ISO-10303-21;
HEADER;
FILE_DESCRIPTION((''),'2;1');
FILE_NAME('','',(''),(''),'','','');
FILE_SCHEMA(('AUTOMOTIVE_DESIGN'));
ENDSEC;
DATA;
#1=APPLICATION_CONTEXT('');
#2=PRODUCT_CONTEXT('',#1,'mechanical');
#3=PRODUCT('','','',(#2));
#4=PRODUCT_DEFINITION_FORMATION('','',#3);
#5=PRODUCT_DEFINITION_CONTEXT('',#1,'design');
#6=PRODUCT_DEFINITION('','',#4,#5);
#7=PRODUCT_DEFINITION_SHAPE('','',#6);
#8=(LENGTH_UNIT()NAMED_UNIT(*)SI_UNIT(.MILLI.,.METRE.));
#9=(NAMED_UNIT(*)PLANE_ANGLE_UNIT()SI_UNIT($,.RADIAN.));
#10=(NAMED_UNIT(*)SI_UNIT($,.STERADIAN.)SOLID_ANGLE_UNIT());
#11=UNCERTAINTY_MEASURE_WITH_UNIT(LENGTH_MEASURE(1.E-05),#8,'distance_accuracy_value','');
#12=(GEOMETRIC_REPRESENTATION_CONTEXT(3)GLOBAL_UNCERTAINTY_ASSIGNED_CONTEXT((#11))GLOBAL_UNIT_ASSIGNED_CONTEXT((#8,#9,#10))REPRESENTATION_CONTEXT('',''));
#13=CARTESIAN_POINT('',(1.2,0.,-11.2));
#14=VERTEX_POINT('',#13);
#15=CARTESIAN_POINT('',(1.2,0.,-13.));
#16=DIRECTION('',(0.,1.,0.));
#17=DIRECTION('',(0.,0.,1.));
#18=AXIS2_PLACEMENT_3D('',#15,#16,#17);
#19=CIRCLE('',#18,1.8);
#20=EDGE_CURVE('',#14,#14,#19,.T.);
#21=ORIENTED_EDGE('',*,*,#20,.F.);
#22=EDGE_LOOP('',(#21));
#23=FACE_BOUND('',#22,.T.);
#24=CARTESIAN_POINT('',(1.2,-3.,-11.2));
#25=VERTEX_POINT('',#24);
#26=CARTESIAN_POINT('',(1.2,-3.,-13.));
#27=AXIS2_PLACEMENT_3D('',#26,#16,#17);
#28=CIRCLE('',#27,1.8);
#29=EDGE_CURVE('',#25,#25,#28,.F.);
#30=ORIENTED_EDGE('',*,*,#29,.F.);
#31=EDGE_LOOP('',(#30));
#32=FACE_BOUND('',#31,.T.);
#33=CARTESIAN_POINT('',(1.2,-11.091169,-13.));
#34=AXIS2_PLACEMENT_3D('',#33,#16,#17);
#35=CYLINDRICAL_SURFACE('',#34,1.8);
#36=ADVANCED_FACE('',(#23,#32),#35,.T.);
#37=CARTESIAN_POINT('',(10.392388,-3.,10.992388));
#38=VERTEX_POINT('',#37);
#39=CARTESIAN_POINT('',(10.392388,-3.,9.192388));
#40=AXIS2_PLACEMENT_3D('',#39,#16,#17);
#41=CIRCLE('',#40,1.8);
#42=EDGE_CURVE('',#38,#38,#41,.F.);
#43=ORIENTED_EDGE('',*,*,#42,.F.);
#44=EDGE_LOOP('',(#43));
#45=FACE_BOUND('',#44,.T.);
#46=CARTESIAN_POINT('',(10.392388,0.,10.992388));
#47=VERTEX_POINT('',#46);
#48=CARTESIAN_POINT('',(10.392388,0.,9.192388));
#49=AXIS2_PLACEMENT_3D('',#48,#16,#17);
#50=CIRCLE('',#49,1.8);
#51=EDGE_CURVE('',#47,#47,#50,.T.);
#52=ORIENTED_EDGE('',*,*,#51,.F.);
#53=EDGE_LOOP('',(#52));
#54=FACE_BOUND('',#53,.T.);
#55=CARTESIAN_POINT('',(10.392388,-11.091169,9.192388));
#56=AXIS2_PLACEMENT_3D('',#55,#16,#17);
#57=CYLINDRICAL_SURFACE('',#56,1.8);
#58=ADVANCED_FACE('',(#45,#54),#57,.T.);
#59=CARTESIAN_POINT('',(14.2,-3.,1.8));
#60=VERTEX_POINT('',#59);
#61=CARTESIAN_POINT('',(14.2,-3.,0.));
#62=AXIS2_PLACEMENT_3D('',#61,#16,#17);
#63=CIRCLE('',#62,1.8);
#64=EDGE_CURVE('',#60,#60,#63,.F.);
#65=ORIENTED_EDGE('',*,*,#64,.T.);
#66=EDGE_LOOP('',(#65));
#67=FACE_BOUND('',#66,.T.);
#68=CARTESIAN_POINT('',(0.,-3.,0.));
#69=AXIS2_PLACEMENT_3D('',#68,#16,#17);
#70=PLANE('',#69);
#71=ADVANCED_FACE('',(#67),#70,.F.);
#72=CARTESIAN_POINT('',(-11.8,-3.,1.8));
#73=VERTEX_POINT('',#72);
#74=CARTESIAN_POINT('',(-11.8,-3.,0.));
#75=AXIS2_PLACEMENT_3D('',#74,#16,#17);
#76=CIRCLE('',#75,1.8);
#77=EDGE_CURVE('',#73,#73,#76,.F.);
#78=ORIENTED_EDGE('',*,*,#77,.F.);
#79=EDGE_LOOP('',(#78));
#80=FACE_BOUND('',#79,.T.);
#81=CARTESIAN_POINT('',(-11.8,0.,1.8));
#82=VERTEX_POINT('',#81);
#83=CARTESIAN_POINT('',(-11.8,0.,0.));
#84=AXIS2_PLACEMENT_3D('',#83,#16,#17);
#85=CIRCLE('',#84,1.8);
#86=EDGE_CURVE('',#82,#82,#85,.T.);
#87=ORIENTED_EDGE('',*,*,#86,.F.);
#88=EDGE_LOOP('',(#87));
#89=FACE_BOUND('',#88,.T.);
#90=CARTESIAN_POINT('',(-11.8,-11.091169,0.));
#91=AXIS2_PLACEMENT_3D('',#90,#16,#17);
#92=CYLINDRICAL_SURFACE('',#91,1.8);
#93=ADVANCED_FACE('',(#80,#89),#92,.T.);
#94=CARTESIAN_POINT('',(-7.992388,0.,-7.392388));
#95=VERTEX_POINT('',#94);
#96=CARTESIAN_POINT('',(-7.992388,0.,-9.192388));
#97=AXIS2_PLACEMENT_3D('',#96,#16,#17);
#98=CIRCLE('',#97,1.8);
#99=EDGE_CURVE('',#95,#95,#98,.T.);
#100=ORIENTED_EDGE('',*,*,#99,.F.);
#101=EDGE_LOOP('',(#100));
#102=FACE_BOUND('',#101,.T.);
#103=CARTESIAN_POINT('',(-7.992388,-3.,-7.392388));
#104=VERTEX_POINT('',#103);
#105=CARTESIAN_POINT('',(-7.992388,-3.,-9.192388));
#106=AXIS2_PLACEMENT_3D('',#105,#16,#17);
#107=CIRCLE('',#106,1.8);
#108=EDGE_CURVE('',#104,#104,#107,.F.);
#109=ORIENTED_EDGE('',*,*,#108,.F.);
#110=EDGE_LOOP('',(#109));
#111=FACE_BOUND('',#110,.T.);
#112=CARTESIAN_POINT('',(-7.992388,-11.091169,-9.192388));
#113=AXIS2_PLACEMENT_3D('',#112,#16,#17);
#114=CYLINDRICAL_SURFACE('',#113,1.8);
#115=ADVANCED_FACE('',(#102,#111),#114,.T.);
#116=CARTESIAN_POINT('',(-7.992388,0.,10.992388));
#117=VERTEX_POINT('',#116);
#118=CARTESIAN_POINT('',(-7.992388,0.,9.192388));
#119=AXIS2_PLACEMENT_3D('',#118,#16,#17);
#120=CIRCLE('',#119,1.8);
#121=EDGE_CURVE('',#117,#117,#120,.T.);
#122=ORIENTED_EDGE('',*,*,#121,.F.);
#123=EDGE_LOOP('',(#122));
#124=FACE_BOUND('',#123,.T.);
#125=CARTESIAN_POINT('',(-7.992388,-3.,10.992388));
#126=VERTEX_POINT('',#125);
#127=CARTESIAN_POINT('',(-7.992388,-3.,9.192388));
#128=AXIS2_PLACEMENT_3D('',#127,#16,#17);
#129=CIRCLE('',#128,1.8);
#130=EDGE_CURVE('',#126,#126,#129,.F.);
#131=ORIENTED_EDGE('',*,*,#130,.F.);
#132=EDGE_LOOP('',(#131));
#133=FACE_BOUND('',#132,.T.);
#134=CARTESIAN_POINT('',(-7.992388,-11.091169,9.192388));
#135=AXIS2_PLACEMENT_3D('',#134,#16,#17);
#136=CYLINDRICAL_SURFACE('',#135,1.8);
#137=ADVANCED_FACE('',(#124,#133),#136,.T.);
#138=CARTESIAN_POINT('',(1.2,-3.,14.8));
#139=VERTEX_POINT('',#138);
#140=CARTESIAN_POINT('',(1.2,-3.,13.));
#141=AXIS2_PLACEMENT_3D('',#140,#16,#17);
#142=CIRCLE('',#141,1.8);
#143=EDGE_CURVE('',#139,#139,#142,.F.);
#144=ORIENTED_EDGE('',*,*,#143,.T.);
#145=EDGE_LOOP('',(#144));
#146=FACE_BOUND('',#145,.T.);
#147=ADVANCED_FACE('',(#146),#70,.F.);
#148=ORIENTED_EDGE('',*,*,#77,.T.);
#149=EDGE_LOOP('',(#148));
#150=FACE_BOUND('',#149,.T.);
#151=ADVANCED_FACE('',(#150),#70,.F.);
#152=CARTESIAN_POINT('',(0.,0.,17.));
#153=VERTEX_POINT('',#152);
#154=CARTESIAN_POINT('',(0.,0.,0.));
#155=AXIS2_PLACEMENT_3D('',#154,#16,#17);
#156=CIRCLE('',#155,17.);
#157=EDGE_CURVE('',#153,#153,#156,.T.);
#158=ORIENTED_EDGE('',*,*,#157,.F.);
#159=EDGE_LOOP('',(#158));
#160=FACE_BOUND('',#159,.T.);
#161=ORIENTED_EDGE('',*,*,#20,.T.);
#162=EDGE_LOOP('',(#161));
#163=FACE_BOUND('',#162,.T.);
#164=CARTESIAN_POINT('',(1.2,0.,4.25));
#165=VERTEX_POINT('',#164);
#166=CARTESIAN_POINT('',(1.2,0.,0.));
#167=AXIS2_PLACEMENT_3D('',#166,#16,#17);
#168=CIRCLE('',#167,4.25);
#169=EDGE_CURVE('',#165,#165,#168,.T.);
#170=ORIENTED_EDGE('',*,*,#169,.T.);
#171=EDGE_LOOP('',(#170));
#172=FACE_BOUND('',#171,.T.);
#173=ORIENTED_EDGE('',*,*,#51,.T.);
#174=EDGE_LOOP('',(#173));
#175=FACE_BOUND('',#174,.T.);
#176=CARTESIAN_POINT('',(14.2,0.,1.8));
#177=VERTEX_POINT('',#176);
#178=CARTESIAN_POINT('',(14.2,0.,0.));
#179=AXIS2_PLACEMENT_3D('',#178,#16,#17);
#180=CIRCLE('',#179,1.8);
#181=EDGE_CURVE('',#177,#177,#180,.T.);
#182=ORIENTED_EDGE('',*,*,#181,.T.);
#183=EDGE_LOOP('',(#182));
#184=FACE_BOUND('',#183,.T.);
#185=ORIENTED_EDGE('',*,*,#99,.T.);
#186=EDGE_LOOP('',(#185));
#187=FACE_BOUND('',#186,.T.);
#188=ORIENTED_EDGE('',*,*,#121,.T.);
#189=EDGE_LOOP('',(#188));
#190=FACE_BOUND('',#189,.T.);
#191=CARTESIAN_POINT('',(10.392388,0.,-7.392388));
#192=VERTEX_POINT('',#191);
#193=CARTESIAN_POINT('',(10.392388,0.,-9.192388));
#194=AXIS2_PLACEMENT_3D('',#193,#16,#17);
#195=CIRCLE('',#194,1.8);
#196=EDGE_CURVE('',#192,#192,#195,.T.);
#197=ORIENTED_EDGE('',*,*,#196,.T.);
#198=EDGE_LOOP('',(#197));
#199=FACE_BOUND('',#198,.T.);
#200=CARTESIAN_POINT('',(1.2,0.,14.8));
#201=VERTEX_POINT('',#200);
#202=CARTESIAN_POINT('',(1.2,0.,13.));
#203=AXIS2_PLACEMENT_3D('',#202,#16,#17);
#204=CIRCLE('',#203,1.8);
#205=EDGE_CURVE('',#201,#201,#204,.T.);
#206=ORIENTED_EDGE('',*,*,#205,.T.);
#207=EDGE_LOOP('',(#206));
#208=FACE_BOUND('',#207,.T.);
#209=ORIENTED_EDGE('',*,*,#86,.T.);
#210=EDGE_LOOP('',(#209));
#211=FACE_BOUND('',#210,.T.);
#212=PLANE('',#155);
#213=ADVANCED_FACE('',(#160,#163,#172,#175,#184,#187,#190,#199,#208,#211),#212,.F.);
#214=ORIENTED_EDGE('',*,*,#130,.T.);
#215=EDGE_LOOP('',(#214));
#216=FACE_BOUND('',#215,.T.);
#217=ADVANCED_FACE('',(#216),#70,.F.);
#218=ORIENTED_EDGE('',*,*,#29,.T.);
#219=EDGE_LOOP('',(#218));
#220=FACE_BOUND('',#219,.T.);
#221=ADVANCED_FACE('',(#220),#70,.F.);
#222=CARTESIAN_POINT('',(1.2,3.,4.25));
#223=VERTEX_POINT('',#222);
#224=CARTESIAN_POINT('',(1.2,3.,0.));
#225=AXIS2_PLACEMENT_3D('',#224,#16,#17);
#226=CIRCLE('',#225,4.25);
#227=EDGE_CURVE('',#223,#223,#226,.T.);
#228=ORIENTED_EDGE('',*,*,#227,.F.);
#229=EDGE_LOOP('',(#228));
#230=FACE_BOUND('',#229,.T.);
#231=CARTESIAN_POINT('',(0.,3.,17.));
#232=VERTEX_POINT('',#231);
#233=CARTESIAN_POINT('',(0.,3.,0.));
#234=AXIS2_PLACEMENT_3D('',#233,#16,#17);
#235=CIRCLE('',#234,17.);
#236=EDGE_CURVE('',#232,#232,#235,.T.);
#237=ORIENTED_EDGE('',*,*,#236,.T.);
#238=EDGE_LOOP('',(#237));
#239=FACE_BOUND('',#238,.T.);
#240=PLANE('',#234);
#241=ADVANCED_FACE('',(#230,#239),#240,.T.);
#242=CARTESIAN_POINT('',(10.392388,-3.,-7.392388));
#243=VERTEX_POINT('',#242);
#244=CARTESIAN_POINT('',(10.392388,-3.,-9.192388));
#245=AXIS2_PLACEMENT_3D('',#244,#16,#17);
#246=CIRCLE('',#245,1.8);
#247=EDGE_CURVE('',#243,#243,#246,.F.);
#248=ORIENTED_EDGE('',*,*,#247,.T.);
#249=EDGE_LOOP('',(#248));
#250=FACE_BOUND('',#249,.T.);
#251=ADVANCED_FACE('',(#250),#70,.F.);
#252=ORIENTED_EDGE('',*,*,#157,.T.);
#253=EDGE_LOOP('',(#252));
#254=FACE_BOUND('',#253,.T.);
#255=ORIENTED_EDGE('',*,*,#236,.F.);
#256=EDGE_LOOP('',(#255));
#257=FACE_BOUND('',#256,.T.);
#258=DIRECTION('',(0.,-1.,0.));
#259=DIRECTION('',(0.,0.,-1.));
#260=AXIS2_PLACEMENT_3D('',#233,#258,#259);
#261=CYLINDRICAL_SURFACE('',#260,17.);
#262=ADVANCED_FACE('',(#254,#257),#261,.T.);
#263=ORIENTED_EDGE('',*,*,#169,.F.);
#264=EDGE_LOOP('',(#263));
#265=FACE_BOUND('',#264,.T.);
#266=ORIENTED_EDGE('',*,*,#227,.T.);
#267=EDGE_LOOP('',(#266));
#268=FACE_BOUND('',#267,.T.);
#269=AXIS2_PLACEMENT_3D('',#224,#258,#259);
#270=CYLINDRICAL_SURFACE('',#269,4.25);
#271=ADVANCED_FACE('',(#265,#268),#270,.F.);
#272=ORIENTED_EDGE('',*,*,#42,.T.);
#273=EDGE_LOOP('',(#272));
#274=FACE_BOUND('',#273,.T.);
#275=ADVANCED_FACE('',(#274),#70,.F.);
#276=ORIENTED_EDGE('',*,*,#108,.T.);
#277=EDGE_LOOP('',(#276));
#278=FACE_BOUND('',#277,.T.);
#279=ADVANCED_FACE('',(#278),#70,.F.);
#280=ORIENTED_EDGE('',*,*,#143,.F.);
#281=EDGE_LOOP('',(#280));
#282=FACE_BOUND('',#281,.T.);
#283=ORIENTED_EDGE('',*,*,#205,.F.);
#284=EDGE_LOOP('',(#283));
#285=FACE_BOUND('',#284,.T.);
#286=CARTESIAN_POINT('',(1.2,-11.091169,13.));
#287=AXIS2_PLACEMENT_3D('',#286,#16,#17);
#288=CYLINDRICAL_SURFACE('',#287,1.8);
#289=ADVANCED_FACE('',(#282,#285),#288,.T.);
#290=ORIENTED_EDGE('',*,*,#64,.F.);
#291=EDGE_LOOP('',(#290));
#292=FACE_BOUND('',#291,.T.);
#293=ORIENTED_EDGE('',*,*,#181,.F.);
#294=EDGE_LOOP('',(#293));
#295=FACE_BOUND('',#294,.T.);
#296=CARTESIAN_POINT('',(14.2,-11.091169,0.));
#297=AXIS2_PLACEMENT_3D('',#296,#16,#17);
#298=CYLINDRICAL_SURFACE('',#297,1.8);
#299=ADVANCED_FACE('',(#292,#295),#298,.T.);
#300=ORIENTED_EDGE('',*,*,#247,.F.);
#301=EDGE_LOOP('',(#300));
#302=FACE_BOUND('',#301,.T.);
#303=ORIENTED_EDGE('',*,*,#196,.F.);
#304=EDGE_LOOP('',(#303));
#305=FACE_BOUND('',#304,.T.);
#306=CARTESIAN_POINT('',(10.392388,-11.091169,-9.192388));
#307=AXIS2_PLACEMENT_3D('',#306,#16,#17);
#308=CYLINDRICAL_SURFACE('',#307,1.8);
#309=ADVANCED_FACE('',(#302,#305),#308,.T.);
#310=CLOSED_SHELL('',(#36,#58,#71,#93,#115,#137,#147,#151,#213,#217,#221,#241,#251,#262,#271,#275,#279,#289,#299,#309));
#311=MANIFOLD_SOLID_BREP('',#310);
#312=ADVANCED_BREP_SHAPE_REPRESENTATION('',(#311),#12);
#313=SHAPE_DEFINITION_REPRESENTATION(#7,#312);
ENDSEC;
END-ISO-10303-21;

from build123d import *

# Parameters (mm, degrees)
SKETCH1_R           = 17
SKETCH1_R_2         = 1.8
SKETCH1_R_3         = 4.25
BOSS_EXTRUDE2_DEPTH = 3
BOSS_EXTRUDE4_START = -6
SKETCH2_R           = 1.8
BOSS_EXTRUDE4_DEPTH = 6
CIRPATTERN1_COUNT   = 8


with BuildPart() as part:
    # Sketch1 → Boss-Extrude2 (new body)
    with BuildSketch(Plane(origin=(0, 0, 0), x_dir=(1, 0, 0), z_dir=(0, 1, 0))):
        with Locations(Location((0, 0, 0), (0, 0, 270))):
            Circle(SKETCH1_R)
        with Locations(Location((-7.992388155, 9.192388155, 0), (0, 0, 270))):
            Circle(SKETCH1_R_2, mode=Mode.SUBTRACT)
        with Locations(Location((1.2, 0, 0), (0, 0, 270))):
            Circle(SKETCH1_R_3, mode=Mode.SUBTRACT)
        with Locations(Location((1.2, 13, 0), (0, 0, 270))):
            Circle(SKETCH1_R_2, mode=Mode.SUBTRACT)
        with Locations(Location((10.392388155, 9.192388155, 0), (0, 0, 270))):
            Circle(SKETCH1_R_2, mode=Mode.SUBTRACT)
        with Locations(Location((14.2, 0, 0), (0, 0, 270))):
            Circle(SKETCH1_R_2, mode=Mode.SUBTRACT)
        with Locations(Location((10.392388155, -9.192388155, 0), (0, 0, 270))):
            Circle(SKETCH1_R_2, mode=Mode.SUBTRACT)
        with Locations(Location((1.2, -13, 0), (0, 0, 270))):
            Circle(SKETCH1_R_2, mode=Mode.SUBTRACT)
        with Locations(Location((-7.992388155, -9.192388155, 0), (0, 0, 270))):
            Circle(SKETCH1_R_2, mode=Mode.SUBTRACT)
        with Locations(Location((-11.8, 0, 0), (0, 0, 270))):
            Circle(SKETCH1_R_2, mode=Mode.SUBTRACT)
    extrude(amount=BOSS_EXTRUDE2_DEPTH)

    # Sketch2 → Boss-Extrude4 (add)
    with BuildSketch(Plane(origin=(0, 3, 0), x_dir=(1, 0, 0), z_dir=(0, 1, 0)).offset(BOSS_EXTRUDE4_START)):
        with Locations(Location((-7.992388155, 9.192388155, 0), (0, 0, 270))):
            Circle(SKETCH2_R)
    boss_extrude4 = extrude(amount=BOSS_EXTRUDE4_DEPTH)

    # CirPattern1: Boss-Extrude4 ×8 about axis
    cirpattern1_axis = Axis((1.2, 0, 0), (0, 1, 0))
    for i in range(1, CIRPATTERN1_COUNT):
        add(boss_extrude4.rotate(cirpattern1_axis, i * 360 / CIRPATTERN1_COUNT))


solid = part.part
